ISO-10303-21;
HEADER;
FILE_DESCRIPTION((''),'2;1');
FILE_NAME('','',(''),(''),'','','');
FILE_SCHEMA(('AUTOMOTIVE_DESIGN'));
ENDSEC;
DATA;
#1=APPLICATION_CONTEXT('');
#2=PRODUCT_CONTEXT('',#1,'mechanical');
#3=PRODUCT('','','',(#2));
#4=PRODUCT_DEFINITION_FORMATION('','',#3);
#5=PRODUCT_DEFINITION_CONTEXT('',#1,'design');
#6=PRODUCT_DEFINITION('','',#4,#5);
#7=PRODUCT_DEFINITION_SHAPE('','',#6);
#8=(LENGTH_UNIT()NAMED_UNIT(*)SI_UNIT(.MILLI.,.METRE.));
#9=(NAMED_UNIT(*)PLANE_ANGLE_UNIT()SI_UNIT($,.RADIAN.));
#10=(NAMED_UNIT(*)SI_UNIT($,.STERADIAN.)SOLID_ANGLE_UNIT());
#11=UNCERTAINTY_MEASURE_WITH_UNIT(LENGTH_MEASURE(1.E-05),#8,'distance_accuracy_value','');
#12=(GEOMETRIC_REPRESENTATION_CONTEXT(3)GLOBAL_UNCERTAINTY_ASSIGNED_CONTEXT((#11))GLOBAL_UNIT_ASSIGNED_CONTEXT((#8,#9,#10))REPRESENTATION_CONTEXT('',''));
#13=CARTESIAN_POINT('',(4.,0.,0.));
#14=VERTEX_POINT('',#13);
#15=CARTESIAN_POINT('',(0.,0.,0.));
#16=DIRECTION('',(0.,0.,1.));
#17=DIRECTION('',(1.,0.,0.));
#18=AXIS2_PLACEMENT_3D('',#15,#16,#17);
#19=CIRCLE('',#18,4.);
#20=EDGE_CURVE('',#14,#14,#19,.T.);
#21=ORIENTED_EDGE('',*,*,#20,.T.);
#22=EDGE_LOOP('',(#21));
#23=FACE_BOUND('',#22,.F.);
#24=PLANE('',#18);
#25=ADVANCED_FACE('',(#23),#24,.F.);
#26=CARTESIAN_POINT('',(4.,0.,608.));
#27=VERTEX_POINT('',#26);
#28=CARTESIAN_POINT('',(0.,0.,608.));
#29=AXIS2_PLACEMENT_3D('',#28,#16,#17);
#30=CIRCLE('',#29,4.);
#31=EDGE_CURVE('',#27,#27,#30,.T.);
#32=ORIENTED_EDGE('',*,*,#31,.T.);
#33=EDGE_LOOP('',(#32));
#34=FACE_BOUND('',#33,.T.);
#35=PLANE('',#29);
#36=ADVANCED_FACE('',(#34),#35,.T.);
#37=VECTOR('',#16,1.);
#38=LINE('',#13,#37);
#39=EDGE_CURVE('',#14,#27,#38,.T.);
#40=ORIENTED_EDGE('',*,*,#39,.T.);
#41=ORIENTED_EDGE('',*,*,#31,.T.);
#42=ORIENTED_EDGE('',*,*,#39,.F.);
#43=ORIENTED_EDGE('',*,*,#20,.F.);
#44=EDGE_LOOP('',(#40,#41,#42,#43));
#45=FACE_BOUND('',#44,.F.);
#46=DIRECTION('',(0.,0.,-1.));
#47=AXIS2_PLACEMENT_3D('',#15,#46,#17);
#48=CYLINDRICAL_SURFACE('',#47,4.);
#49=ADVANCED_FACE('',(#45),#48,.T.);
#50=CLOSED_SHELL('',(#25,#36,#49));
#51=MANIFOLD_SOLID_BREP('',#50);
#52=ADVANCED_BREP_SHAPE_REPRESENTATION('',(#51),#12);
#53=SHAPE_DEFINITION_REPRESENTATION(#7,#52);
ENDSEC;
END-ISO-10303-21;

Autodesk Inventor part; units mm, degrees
ref_plane "YZ Plane" through (0, 0, 0) normal (1, 0, 0) x (0, 1, 0)
ref_plane "XZ Plane" through (0, 0, 0) normal (0, 1, 0) x (-1, 0, 0)
ref_plane "XY Plane" through (0, 0, 0) normal (0, 0, 1) x (1, 0, 0)
sketch "Sketch1" plane through (0, 0, 0) normal (0, 0, 1) x (1, 0, 0)
  circle A0 centre (0, 0) radius 4
  dimension "d0" = 8
extrude "Extrusion1" add sketch "Sketch1" along normal blind 608
properties part number "x axis 8mm rod"
